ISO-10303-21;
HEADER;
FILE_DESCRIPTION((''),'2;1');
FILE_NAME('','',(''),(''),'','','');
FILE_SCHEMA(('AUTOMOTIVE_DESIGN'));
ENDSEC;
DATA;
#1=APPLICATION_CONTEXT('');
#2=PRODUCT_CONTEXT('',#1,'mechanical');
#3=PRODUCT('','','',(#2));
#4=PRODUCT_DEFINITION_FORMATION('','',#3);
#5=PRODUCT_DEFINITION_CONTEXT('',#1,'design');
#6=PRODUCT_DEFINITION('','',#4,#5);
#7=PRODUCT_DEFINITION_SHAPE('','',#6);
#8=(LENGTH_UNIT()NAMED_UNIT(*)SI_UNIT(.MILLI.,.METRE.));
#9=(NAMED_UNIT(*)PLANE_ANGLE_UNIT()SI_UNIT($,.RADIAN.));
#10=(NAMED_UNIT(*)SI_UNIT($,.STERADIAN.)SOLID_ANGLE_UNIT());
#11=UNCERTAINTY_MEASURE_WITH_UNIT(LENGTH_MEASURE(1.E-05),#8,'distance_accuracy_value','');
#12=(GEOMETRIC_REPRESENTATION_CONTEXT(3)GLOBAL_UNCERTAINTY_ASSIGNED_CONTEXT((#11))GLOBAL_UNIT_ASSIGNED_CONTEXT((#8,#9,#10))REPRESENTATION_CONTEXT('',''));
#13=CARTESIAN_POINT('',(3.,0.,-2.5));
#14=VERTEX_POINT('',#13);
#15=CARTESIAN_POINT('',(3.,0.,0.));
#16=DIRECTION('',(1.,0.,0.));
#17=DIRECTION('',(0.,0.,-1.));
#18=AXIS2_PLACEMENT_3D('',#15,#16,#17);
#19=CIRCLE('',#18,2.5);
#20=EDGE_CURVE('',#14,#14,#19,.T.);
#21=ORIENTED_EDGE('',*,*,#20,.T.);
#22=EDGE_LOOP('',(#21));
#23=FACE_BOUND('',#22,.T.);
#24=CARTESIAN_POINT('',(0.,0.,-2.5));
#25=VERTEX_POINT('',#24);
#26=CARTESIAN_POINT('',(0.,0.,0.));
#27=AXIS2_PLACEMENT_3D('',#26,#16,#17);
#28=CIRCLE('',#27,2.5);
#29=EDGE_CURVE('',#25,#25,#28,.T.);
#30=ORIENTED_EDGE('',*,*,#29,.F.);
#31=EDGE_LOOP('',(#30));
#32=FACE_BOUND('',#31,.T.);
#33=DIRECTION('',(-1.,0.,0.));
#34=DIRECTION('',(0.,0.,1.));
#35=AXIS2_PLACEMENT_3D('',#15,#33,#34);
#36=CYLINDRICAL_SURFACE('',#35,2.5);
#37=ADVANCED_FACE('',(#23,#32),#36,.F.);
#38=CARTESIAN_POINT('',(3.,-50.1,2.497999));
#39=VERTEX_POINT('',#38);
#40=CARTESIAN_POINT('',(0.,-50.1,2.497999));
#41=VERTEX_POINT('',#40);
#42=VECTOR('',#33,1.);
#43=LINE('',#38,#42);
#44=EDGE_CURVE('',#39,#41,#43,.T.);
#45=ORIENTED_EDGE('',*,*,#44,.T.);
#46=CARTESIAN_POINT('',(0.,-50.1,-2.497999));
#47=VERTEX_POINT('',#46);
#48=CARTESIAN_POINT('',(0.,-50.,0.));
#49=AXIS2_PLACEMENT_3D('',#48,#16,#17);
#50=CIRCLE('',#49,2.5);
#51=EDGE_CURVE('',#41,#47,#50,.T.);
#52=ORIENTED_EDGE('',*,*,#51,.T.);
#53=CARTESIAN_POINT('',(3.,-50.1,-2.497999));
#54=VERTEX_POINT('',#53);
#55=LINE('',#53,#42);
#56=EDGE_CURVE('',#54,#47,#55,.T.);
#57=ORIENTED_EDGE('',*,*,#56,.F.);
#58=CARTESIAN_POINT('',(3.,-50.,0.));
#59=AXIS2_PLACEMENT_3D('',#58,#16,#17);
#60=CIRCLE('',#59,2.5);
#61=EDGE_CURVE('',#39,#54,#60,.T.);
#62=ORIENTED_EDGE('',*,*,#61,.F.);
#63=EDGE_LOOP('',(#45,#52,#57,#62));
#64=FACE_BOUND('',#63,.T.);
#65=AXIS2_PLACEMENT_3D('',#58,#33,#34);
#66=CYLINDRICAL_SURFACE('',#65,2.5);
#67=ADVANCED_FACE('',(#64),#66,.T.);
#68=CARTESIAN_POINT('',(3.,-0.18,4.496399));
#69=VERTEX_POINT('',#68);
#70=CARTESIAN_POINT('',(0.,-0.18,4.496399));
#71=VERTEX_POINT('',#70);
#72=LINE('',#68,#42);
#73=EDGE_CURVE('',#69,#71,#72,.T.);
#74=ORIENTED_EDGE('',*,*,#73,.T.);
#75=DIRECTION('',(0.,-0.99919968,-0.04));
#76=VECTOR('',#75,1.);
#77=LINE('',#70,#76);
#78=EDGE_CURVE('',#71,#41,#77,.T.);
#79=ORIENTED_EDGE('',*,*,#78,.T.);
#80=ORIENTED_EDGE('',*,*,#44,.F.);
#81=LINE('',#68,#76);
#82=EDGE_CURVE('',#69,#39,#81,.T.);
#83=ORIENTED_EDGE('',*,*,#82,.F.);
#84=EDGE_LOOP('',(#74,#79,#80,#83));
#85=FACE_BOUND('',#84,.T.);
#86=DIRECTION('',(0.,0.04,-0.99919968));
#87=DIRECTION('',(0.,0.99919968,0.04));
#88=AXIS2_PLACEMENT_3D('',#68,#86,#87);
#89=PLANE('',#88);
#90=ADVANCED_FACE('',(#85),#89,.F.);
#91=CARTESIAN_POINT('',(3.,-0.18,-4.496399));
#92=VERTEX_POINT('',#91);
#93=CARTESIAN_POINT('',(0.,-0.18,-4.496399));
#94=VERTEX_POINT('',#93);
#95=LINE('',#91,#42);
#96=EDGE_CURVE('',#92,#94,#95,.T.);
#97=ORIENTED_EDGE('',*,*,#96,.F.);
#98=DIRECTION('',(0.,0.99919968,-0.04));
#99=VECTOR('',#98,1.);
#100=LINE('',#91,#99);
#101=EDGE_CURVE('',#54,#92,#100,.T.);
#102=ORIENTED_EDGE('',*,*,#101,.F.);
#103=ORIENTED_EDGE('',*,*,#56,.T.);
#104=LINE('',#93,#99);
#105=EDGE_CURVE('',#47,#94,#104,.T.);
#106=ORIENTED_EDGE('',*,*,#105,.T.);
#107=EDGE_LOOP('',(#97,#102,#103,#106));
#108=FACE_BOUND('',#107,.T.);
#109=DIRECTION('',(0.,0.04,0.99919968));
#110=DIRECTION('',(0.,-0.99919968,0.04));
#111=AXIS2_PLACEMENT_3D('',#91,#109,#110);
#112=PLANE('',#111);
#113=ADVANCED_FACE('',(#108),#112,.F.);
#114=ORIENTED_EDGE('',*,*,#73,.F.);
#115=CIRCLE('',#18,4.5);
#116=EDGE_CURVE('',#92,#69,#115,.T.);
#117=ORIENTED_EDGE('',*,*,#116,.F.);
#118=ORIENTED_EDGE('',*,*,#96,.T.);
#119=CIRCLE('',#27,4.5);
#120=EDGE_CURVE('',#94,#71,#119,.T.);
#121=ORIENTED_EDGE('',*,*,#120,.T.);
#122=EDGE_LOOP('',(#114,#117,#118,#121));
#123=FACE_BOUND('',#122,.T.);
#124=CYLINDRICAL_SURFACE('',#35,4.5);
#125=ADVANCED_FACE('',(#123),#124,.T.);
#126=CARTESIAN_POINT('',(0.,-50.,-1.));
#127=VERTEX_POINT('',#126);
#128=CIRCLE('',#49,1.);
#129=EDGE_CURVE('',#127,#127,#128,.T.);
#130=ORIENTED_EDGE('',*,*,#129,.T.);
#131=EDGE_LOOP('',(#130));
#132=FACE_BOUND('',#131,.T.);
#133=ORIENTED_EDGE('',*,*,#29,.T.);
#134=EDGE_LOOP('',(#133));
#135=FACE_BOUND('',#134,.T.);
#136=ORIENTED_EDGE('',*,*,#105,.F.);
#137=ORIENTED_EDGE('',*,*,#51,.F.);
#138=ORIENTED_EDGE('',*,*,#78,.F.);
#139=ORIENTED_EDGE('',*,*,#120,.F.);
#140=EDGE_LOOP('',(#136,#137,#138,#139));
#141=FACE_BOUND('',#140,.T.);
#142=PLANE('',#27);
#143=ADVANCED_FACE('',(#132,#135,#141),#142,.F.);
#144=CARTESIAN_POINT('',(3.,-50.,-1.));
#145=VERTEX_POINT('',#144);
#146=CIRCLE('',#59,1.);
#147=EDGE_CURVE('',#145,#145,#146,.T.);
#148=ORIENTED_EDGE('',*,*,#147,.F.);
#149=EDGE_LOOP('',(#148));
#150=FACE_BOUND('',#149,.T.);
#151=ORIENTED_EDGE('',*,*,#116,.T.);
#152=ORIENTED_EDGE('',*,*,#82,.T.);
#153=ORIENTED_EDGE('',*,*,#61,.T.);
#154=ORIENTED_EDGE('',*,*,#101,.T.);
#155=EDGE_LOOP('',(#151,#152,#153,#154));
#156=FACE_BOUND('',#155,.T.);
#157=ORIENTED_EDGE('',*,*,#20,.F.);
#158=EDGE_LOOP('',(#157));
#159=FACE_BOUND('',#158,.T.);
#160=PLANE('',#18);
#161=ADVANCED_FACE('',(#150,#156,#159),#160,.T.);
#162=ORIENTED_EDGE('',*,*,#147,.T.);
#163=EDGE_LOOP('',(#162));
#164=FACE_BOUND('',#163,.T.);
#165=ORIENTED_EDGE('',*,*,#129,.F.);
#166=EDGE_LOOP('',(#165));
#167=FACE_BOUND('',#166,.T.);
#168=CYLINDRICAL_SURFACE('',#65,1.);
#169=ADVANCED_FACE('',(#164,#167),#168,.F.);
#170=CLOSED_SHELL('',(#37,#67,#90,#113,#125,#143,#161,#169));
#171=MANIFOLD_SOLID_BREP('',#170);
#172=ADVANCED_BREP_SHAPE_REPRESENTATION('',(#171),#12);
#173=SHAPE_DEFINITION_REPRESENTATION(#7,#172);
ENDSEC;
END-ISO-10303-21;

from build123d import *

# Parameters (mm, degrees)
SKETCH1_R           = 2.5
SKETCH1_R_2         = 1
BOSS_EXTRUDE1_DEPTH = 3


with BuildPart() as part:
    # Sketch1 → Boss-Extrude1 (new body)
    with BuildSketch(Plane(origin=(0, 0, 0), x_dir=(0, 0, -1), z_dir=(1, 0, 0))):
        with BuildLine():
            Line((-4.496398559, -0.18), (-2.497999199, -50.1))
            ThreePointArc((-2.497999199, -50.1), (0, -52.5), (2.497999199, -50.1))
            Line((2.497999199, -50.1), (4.496398559, -0.18))
            ThreePointArc((4.496398559, -0.18), (0, 4.5), (-4.496398559, -0.18))
        make_face()
        Circle(SKETCH1_R, mode=Mode.SUBTRACT)
        with Locations((0, -50)):
            Circle(SKETCH1_R_2, mode=Mode.SUBTRACT)
    extrude(amount=BOSS_EXTRUDE1_DEPTH)


solid = part.part
